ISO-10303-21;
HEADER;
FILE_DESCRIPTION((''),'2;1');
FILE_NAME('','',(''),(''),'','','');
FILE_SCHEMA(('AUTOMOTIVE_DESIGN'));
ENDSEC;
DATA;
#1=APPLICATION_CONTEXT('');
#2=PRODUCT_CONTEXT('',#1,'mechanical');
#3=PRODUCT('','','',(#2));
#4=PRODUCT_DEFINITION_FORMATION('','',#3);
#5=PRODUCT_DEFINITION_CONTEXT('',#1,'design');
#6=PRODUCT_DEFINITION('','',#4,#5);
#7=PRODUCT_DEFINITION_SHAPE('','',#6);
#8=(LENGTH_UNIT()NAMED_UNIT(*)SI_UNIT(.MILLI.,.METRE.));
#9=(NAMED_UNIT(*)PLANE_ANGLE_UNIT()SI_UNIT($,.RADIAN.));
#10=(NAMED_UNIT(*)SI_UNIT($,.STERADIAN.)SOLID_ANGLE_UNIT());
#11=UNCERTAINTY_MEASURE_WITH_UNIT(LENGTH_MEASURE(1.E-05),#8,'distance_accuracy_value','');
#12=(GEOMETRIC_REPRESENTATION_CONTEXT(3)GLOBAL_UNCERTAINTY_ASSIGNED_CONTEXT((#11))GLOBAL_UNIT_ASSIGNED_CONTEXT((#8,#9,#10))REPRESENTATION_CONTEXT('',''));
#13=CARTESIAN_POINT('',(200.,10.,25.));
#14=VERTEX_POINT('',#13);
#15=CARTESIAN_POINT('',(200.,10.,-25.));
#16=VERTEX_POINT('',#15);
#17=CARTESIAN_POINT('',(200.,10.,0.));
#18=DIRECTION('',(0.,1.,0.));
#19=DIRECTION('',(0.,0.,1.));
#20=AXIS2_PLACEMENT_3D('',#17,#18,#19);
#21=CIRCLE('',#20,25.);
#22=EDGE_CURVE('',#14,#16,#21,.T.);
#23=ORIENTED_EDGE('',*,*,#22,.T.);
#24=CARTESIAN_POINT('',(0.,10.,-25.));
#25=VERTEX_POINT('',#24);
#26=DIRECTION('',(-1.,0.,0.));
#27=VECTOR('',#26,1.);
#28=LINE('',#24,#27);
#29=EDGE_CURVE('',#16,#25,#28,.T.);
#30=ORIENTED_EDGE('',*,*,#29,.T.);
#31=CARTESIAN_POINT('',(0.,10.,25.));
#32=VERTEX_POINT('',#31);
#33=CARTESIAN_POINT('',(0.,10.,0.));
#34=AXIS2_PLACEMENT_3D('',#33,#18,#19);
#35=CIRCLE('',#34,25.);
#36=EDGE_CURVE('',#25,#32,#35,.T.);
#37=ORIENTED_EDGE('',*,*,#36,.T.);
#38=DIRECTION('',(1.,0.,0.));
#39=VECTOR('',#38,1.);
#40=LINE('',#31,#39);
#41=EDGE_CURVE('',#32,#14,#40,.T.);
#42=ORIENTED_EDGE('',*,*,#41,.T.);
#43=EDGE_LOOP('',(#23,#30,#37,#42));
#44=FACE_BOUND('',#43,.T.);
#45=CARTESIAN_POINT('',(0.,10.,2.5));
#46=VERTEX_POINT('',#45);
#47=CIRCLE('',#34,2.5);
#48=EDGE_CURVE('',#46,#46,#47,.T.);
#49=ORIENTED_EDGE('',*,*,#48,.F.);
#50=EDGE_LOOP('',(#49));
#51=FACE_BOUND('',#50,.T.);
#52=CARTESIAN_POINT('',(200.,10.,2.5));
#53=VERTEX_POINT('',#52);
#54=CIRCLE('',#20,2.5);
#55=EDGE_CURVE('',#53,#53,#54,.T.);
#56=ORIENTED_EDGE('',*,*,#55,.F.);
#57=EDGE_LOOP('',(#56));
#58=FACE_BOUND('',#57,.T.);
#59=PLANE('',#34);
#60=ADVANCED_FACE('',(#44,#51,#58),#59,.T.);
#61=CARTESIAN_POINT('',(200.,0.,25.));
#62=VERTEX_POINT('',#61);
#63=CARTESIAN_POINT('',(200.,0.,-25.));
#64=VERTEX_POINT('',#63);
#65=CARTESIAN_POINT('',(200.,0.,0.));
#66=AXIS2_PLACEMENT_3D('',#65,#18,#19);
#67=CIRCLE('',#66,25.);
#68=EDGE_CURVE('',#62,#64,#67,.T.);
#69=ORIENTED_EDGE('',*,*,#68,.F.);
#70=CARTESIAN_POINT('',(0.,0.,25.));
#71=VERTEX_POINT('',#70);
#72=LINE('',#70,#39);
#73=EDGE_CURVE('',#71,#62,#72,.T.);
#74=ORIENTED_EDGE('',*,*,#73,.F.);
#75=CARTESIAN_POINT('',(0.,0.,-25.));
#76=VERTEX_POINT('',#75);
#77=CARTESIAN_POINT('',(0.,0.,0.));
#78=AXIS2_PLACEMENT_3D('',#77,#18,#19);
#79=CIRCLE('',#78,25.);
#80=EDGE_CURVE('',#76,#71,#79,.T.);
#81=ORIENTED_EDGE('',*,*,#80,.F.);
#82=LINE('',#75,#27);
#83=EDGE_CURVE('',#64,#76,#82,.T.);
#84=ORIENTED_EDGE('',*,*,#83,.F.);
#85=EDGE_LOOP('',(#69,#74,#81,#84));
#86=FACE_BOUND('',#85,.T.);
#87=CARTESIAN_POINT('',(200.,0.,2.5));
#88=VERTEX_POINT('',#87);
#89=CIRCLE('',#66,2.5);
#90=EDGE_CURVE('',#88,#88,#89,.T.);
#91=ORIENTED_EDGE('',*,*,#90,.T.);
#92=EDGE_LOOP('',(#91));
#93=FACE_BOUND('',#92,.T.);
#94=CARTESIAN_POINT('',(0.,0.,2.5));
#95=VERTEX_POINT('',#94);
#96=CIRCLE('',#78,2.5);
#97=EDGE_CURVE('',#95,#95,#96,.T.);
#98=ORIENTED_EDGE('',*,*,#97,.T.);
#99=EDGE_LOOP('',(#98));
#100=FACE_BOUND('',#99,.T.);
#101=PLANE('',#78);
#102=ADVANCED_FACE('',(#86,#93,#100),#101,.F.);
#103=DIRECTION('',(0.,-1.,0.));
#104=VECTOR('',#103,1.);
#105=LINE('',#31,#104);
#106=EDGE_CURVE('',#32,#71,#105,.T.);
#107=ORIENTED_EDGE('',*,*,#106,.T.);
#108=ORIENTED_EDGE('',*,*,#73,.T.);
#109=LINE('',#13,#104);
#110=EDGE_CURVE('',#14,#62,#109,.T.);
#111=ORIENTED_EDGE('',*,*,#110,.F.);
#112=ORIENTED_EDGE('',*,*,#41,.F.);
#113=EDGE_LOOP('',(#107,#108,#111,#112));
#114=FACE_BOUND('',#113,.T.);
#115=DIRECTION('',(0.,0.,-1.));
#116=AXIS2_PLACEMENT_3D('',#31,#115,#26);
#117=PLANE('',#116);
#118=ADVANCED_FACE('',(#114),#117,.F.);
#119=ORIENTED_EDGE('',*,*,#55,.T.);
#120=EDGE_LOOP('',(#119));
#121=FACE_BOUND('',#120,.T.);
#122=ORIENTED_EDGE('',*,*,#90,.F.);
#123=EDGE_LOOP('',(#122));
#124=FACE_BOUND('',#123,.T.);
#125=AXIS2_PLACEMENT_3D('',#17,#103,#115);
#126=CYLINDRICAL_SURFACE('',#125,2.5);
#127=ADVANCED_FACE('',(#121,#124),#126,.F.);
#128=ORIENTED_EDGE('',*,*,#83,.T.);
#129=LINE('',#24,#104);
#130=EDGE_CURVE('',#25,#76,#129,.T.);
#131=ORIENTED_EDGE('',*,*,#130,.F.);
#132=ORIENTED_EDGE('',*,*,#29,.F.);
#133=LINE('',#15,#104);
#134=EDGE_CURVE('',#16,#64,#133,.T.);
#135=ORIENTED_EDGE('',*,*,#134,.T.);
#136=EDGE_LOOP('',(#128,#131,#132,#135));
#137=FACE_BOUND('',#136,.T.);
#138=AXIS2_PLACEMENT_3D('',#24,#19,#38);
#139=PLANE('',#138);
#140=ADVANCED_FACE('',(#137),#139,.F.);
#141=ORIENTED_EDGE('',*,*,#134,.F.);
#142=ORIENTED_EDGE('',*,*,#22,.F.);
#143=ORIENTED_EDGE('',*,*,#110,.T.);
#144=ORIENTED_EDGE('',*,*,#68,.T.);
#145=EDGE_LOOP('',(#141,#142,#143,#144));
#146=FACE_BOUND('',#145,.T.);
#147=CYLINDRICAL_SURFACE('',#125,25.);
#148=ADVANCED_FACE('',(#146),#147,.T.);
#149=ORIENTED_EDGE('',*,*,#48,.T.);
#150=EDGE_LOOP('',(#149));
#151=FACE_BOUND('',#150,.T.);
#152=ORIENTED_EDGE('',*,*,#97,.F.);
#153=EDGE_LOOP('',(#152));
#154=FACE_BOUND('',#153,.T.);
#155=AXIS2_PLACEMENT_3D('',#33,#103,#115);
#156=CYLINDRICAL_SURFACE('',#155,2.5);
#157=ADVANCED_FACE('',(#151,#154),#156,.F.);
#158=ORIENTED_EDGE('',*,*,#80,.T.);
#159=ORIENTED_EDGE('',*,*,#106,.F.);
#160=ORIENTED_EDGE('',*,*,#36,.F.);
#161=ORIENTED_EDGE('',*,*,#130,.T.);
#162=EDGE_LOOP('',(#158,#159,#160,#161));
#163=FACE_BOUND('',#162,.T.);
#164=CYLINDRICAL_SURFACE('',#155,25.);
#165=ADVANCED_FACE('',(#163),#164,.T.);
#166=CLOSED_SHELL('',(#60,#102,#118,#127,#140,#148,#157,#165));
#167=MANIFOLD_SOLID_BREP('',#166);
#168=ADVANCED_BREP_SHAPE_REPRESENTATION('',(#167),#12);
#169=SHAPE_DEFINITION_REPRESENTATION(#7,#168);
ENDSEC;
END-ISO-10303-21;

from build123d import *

# Parameters (mm, degrees)
SKETCH2_R           = 2.5
BOSS_EXTRUDE2_DEPTH = 10


with BuildPart() as part:
    # Sketch2 → Boss-Extrude2 (new body)
    with BuildSketch(Plane(origin=(0, 0, 0), x_dir=(1, 0, 0), z_dir=(0, 1, 0))):
        with BuildLine():
            Line((0, 25), (200, 25))
            ThreePointArc((200, 25), (225, 0), (200, -25))
            Line((200, -25), (0, -25))
            ThreePointArc((0, -25), (-25, 0), (0, 25))
        make_face()
        with Locations(Location((0, 0, 0), (0, 0, 270))):
            Circle(SKETCH2_R, mode=Mode.SUBTRACT)
        with Locations(Location((200, 0, 0), (0, 0, 270))):
            Circle(SKETCH2_R, mode=Mode.SUBTRACT)
    extrude(amount=BOSS_EXTRUDE2_DEPTH)


solid = part.part
